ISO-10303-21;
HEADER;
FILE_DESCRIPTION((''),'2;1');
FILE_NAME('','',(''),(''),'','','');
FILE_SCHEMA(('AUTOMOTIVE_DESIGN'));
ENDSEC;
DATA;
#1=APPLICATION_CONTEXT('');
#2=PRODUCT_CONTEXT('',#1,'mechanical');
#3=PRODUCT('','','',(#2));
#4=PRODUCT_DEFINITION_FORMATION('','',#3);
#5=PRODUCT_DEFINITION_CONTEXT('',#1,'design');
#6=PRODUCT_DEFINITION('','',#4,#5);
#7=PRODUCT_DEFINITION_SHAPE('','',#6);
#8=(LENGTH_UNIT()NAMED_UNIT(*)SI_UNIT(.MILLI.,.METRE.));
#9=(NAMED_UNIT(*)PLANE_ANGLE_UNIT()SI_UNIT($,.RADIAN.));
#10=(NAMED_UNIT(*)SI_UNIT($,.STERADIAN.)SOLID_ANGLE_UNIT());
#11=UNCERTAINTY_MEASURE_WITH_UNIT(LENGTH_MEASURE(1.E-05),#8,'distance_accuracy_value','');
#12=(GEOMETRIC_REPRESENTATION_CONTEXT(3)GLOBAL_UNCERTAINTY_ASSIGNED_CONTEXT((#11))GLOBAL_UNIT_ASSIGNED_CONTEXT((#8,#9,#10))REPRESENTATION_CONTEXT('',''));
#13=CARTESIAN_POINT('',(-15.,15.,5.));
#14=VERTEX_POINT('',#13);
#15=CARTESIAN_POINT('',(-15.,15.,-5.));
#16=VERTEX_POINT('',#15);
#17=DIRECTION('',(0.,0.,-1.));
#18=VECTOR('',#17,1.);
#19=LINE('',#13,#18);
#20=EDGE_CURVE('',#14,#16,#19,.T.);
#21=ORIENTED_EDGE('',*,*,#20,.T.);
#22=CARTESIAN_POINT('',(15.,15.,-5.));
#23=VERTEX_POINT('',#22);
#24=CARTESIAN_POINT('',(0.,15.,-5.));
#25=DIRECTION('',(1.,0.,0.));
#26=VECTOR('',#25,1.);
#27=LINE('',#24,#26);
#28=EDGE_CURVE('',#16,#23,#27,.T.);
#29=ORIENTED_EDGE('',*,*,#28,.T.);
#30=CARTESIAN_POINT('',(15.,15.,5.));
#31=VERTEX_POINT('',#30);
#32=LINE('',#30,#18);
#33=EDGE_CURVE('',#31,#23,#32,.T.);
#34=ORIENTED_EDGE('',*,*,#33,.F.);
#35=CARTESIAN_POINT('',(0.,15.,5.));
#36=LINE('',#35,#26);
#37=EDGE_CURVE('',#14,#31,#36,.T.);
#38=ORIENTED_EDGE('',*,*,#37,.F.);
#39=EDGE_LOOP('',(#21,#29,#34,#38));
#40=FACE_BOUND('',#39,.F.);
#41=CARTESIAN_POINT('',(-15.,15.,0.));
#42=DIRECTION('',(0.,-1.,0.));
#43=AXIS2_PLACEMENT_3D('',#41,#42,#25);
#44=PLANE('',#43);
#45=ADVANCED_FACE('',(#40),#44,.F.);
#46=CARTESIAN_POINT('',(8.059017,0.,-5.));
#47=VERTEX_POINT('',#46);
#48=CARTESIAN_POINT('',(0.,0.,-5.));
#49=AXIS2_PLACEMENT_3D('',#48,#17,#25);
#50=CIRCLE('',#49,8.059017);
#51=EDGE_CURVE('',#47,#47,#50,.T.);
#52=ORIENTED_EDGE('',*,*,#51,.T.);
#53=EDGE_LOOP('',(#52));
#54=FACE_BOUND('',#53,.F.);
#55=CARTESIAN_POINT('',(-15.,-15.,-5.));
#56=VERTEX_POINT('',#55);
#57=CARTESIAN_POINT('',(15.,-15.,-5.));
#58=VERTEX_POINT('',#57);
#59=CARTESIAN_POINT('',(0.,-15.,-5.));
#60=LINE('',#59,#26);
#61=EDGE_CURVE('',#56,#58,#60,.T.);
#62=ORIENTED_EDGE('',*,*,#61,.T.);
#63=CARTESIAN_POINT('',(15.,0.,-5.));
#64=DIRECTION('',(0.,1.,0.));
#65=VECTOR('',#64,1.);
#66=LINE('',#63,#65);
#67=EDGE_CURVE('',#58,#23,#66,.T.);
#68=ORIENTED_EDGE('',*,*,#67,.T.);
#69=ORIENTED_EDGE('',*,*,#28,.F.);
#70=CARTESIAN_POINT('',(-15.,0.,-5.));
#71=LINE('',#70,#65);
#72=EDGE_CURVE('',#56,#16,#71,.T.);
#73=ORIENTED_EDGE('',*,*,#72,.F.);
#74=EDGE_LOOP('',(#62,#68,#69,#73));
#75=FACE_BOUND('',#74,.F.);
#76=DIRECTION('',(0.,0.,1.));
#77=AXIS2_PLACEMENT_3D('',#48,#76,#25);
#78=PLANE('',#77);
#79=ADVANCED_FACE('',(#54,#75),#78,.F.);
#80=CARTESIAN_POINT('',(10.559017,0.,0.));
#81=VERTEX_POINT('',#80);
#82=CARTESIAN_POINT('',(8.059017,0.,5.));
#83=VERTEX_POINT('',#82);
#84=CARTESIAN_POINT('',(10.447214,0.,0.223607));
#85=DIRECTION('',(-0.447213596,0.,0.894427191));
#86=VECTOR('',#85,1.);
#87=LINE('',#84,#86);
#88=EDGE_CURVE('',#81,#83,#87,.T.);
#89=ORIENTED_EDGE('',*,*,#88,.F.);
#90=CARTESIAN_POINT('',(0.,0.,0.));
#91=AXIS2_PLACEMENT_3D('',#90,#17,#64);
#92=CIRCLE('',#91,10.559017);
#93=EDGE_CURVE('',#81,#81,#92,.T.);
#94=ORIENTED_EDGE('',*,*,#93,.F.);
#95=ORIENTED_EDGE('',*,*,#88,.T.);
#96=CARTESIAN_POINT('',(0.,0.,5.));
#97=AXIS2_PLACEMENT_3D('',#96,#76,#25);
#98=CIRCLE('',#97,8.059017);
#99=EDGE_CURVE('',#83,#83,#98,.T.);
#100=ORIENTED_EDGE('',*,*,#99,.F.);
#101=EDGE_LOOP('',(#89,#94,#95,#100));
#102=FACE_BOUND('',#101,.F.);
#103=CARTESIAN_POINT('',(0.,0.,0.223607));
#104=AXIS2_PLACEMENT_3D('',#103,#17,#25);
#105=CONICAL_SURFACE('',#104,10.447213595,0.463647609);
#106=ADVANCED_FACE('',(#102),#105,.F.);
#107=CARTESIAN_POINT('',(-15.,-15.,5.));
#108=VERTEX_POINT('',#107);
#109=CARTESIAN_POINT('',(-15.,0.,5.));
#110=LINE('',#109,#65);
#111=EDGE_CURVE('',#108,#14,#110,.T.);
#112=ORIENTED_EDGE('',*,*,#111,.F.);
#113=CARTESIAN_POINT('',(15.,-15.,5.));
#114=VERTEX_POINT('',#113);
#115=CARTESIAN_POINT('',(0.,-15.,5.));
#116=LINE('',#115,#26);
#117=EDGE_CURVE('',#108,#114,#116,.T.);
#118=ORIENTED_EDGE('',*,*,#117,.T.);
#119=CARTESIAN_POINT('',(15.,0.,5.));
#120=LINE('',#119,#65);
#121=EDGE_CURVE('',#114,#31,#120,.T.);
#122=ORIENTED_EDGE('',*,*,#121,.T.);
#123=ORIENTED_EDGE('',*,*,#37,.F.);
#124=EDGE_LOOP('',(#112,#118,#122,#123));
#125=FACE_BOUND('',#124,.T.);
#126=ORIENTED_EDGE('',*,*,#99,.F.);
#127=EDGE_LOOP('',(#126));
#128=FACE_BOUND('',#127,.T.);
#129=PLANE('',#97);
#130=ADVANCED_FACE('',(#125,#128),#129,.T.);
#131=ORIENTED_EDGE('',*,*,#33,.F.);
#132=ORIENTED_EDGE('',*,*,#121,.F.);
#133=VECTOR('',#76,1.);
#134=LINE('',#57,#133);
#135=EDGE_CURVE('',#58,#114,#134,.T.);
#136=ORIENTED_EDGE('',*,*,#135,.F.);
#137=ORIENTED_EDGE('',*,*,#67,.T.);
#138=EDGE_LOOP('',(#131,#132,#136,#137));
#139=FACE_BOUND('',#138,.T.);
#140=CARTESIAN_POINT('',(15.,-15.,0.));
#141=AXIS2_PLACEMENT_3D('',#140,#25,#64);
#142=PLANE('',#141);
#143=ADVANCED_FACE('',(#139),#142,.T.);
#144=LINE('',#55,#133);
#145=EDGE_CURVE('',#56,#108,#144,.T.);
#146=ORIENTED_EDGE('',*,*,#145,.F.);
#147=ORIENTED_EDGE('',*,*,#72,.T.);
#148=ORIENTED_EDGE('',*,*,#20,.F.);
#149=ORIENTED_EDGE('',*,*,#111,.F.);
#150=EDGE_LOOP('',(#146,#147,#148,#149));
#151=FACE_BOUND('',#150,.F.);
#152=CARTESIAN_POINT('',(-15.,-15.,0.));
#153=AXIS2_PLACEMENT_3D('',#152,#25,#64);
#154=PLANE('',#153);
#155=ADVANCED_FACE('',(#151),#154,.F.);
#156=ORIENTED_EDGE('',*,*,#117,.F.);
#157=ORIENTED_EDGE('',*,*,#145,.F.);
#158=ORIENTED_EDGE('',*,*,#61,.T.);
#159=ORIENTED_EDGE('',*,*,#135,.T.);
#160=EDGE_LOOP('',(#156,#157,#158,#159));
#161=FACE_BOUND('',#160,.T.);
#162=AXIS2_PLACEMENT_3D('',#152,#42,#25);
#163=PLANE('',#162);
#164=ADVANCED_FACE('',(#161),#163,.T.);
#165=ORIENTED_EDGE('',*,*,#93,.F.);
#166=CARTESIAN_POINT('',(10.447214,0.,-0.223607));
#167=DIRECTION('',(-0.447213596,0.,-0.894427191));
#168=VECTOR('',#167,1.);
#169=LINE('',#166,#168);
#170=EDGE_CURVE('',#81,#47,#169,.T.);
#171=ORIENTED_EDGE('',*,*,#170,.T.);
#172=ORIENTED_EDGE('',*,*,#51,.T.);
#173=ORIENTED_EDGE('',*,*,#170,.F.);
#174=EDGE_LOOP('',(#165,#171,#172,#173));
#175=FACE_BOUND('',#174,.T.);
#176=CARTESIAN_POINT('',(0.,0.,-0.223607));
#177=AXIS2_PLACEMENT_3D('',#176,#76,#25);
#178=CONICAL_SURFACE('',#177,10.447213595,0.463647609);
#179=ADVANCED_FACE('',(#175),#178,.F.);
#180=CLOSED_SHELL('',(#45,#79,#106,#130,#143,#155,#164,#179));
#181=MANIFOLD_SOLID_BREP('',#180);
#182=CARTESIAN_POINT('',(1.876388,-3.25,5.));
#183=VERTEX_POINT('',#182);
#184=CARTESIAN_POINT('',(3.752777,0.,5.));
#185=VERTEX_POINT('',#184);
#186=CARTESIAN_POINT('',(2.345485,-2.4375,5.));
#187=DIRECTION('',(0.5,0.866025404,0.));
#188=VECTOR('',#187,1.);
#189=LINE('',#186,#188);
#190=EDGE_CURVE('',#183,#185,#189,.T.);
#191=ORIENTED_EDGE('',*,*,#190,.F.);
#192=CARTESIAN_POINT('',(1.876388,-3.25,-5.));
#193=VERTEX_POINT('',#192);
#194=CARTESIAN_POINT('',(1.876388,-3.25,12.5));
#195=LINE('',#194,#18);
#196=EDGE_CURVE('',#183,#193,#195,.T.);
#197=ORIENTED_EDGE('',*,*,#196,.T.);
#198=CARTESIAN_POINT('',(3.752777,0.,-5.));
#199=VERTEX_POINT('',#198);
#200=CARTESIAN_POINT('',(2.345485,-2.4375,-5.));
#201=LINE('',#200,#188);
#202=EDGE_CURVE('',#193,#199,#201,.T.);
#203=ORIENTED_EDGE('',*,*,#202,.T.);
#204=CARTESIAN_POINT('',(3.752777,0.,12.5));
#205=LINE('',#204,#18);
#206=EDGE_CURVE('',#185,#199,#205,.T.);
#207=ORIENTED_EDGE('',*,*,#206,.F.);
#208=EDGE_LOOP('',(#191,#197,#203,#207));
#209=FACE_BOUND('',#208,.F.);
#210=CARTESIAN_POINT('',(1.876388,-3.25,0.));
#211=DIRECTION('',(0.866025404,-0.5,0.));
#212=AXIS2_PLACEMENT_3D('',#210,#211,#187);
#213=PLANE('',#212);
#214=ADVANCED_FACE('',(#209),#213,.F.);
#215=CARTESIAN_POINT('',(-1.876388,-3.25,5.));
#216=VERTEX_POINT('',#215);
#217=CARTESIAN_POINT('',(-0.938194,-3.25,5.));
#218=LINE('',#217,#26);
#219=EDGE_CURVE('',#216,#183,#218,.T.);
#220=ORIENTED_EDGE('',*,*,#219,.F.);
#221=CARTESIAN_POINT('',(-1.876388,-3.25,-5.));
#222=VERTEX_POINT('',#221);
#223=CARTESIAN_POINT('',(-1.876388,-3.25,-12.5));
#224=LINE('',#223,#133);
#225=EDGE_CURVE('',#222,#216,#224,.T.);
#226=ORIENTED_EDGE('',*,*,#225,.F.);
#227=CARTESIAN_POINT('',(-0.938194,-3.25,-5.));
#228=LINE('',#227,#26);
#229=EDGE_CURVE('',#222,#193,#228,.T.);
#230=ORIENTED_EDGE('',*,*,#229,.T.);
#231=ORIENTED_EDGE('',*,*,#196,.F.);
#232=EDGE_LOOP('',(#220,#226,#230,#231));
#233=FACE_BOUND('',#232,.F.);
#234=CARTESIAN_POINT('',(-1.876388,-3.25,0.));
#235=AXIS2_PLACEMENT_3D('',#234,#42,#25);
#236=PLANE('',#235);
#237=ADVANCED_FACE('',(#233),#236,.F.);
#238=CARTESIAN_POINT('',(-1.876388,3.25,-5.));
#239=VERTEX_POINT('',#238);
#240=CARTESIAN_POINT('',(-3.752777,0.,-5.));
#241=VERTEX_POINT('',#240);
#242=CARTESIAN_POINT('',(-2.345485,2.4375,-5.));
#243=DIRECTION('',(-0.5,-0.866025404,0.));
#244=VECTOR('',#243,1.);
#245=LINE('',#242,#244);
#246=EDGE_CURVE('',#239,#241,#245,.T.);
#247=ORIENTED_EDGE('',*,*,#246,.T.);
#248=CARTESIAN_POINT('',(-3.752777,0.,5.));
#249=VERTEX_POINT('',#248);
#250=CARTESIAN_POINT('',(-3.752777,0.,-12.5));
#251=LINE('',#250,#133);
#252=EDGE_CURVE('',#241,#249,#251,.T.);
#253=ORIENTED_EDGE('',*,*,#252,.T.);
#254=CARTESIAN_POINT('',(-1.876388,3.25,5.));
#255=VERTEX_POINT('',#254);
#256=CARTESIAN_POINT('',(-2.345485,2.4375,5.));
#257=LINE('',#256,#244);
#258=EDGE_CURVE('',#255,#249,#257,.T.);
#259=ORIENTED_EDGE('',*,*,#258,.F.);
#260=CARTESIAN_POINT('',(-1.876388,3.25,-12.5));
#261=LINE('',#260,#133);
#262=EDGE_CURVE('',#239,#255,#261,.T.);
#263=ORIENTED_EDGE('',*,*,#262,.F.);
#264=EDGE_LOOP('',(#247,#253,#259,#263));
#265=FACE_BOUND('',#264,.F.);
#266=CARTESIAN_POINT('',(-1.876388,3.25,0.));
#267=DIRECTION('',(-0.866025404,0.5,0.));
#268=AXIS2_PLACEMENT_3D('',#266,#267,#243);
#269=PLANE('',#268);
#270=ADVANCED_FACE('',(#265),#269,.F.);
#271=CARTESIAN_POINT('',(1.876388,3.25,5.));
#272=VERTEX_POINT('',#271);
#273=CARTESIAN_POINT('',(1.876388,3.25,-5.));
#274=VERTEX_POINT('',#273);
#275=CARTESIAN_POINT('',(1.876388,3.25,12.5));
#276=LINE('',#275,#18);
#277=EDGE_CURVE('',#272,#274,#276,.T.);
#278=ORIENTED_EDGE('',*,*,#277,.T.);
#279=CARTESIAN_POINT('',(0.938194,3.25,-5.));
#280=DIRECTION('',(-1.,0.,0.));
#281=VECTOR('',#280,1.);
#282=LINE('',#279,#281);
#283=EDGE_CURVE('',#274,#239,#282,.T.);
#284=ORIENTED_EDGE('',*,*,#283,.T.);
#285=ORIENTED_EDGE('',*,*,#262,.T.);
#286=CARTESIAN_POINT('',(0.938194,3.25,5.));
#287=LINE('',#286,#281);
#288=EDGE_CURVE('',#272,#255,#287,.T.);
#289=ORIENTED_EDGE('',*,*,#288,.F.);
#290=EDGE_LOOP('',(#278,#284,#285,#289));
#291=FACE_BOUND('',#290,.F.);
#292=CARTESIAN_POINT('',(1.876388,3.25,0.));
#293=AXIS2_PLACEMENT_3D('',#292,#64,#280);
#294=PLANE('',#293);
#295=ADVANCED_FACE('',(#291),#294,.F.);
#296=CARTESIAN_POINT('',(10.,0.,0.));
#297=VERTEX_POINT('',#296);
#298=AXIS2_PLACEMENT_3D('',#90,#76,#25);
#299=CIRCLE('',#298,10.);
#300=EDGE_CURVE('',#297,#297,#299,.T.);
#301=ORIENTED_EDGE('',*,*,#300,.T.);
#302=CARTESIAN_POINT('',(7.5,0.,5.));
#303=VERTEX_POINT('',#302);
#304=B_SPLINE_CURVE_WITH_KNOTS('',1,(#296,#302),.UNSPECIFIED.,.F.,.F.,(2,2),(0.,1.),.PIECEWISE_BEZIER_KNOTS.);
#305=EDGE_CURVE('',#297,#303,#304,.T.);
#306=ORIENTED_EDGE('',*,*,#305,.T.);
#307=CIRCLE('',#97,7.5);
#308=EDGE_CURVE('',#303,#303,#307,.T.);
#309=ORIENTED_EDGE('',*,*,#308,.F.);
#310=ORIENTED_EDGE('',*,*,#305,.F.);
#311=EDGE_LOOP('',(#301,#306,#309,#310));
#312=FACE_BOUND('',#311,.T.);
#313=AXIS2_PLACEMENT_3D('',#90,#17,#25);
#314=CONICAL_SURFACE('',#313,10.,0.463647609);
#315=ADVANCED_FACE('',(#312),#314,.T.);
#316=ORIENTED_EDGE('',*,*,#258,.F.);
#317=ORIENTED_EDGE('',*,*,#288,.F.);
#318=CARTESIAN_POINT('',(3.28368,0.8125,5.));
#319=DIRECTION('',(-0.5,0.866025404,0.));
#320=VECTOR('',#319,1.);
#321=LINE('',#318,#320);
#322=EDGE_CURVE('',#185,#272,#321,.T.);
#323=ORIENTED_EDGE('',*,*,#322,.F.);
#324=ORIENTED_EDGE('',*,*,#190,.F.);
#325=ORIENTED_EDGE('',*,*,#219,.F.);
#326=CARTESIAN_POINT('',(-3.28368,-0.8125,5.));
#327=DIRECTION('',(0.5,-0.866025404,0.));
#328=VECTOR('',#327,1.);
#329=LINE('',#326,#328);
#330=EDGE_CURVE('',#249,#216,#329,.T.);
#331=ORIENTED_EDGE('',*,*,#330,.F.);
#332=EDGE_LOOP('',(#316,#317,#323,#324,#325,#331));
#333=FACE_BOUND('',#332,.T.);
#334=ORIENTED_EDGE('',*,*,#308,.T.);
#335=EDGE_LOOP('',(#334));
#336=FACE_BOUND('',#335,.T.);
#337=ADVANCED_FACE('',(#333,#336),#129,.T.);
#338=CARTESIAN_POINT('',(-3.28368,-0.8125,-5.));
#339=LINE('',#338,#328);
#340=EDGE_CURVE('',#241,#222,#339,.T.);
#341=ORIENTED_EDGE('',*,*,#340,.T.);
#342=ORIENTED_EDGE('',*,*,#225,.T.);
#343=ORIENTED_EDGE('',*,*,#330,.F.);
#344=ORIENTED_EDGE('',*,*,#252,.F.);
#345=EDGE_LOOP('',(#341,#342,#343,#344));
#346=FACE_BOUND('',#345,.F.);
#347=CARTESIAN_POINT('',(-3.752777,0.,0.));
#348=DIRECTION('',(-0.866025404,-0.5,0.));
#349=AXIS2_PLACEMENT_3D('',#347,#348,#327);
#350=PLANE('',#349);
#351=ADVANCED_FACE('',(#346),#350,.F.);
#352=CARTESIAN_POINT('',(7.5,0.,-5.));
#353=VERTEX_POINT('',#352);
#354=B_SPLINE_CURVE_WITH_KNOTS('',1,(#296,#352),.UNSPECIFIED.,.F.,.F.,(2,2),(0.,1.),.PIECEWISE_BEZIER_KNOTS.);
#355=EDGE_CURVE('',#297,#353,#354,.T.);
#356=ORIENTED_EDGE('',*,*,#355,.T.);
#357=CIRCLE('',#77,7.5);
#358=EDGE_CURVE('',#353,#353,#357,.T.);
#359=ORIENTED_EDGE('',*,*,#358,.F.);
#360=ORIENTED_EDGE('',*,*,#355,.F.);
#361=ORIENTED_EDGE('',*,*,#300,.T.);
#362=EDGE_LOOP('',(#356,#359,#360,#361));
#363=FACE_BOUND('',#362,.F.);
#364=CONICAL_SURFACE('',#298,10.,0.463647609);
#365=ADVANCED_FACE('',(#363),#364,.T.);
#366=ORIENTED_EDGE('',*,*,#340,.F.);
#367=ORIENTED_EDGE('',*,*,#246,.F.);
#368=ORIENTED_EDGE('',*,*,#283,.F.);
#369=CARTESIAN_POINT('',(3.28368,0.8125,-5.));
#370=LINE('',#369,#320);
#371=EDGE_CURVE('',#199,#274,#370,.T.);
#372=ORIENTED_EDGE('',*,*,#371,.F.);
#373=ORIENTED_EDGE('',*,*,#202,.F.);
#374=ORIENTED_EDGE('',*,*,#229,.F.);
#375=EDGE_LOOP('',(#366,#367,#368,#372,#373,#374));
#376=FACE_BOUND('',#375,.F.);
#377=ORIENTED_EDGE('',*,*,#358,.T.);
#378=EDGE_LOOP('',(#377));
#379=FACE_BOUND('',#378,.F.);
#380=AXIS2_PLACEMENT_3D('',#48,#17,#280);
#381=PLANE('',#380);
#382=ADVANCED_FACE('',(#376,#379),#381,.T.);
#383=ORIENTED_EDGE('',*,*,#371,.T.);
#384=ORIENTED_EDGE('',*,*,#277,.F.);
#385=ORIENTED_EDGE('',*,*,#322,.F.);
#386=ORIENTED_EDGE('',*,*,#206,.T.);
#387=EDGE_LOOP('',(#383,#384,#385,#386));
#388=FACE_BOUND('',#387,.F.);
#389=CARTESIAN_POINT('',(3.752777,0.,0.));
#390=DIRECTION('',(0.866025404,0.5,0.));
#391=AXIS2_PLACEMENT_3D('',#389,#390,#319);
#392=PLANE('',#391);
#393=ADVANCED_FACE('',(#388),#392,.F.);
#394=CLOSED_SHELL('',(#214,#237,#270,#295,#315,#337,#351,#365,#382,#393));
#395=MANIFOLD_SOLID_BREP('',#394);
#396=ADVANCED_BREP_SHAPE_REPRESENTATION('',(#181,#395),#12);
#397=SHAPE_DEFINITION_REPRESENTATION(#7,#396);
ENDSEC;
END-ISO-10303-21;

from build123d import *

# Parameters (mm, degrees)
F1_R      = 10
F2_R      = 7.5
F1_W      = 30
F1_H      = 30
F5_DEPTH  = 5
F6_OFFSET = 0.5
F8_DEPTH  = 12.5


with BuildPart() as f3:
    # F1 (on Top) → F3 section 0
    with BuildSketch(Plane.XY):
        Circle(F1_R)
    # F2 (on offset) → F3 section 1
    with BuildSketch(Plane.XY.offset(5)):
        Circle(F2_R)
    loft()

    # F4: F3 across plane


with BuildPart() as f3_1:
    add(f3.part)
    add(f3.part.mirror(Plane.XY))


with BuildPart() as f5:
    # F1 (on Top) → F5 (new body, symmetric)
    with BuildSketch(Plane.XY):
        Rectangle(F1_W, F1_H)
        Circle(F1_R, mode=Mode.SUBTRACT)
        Circle(F1_R)
    extrude(amount=F5_DEPTH, both=True)

    # F6: cut F3, made larger all round first
    f6_tool = offset(f3_1.part, amount=F6_OFFSET, kind=Kind.INTERSECTION, mode=Mode.PRIVATE)
    add(f6_tool, mode=Mode.SUBTRACT)


with BuildPart() as f3_2:
    add(f3_1.part)

    # F7 (on Top) → F8 (cut, symmetric)
    with BuildSketch(Plane.XY):
        Polygon((1.8763883749, 3.25), (-1.8763883749, 3.25), (-3.7527767497, 0), (-1.8763883749, -3.25), (1.8763883749, -3.25), (3.7527767497, 0), align=None)
    extrude(amount=F8_DEPTH, both=True, mode=Mode.SUBTRACT)


solid = Compound([f5.part, f3_2.part])
